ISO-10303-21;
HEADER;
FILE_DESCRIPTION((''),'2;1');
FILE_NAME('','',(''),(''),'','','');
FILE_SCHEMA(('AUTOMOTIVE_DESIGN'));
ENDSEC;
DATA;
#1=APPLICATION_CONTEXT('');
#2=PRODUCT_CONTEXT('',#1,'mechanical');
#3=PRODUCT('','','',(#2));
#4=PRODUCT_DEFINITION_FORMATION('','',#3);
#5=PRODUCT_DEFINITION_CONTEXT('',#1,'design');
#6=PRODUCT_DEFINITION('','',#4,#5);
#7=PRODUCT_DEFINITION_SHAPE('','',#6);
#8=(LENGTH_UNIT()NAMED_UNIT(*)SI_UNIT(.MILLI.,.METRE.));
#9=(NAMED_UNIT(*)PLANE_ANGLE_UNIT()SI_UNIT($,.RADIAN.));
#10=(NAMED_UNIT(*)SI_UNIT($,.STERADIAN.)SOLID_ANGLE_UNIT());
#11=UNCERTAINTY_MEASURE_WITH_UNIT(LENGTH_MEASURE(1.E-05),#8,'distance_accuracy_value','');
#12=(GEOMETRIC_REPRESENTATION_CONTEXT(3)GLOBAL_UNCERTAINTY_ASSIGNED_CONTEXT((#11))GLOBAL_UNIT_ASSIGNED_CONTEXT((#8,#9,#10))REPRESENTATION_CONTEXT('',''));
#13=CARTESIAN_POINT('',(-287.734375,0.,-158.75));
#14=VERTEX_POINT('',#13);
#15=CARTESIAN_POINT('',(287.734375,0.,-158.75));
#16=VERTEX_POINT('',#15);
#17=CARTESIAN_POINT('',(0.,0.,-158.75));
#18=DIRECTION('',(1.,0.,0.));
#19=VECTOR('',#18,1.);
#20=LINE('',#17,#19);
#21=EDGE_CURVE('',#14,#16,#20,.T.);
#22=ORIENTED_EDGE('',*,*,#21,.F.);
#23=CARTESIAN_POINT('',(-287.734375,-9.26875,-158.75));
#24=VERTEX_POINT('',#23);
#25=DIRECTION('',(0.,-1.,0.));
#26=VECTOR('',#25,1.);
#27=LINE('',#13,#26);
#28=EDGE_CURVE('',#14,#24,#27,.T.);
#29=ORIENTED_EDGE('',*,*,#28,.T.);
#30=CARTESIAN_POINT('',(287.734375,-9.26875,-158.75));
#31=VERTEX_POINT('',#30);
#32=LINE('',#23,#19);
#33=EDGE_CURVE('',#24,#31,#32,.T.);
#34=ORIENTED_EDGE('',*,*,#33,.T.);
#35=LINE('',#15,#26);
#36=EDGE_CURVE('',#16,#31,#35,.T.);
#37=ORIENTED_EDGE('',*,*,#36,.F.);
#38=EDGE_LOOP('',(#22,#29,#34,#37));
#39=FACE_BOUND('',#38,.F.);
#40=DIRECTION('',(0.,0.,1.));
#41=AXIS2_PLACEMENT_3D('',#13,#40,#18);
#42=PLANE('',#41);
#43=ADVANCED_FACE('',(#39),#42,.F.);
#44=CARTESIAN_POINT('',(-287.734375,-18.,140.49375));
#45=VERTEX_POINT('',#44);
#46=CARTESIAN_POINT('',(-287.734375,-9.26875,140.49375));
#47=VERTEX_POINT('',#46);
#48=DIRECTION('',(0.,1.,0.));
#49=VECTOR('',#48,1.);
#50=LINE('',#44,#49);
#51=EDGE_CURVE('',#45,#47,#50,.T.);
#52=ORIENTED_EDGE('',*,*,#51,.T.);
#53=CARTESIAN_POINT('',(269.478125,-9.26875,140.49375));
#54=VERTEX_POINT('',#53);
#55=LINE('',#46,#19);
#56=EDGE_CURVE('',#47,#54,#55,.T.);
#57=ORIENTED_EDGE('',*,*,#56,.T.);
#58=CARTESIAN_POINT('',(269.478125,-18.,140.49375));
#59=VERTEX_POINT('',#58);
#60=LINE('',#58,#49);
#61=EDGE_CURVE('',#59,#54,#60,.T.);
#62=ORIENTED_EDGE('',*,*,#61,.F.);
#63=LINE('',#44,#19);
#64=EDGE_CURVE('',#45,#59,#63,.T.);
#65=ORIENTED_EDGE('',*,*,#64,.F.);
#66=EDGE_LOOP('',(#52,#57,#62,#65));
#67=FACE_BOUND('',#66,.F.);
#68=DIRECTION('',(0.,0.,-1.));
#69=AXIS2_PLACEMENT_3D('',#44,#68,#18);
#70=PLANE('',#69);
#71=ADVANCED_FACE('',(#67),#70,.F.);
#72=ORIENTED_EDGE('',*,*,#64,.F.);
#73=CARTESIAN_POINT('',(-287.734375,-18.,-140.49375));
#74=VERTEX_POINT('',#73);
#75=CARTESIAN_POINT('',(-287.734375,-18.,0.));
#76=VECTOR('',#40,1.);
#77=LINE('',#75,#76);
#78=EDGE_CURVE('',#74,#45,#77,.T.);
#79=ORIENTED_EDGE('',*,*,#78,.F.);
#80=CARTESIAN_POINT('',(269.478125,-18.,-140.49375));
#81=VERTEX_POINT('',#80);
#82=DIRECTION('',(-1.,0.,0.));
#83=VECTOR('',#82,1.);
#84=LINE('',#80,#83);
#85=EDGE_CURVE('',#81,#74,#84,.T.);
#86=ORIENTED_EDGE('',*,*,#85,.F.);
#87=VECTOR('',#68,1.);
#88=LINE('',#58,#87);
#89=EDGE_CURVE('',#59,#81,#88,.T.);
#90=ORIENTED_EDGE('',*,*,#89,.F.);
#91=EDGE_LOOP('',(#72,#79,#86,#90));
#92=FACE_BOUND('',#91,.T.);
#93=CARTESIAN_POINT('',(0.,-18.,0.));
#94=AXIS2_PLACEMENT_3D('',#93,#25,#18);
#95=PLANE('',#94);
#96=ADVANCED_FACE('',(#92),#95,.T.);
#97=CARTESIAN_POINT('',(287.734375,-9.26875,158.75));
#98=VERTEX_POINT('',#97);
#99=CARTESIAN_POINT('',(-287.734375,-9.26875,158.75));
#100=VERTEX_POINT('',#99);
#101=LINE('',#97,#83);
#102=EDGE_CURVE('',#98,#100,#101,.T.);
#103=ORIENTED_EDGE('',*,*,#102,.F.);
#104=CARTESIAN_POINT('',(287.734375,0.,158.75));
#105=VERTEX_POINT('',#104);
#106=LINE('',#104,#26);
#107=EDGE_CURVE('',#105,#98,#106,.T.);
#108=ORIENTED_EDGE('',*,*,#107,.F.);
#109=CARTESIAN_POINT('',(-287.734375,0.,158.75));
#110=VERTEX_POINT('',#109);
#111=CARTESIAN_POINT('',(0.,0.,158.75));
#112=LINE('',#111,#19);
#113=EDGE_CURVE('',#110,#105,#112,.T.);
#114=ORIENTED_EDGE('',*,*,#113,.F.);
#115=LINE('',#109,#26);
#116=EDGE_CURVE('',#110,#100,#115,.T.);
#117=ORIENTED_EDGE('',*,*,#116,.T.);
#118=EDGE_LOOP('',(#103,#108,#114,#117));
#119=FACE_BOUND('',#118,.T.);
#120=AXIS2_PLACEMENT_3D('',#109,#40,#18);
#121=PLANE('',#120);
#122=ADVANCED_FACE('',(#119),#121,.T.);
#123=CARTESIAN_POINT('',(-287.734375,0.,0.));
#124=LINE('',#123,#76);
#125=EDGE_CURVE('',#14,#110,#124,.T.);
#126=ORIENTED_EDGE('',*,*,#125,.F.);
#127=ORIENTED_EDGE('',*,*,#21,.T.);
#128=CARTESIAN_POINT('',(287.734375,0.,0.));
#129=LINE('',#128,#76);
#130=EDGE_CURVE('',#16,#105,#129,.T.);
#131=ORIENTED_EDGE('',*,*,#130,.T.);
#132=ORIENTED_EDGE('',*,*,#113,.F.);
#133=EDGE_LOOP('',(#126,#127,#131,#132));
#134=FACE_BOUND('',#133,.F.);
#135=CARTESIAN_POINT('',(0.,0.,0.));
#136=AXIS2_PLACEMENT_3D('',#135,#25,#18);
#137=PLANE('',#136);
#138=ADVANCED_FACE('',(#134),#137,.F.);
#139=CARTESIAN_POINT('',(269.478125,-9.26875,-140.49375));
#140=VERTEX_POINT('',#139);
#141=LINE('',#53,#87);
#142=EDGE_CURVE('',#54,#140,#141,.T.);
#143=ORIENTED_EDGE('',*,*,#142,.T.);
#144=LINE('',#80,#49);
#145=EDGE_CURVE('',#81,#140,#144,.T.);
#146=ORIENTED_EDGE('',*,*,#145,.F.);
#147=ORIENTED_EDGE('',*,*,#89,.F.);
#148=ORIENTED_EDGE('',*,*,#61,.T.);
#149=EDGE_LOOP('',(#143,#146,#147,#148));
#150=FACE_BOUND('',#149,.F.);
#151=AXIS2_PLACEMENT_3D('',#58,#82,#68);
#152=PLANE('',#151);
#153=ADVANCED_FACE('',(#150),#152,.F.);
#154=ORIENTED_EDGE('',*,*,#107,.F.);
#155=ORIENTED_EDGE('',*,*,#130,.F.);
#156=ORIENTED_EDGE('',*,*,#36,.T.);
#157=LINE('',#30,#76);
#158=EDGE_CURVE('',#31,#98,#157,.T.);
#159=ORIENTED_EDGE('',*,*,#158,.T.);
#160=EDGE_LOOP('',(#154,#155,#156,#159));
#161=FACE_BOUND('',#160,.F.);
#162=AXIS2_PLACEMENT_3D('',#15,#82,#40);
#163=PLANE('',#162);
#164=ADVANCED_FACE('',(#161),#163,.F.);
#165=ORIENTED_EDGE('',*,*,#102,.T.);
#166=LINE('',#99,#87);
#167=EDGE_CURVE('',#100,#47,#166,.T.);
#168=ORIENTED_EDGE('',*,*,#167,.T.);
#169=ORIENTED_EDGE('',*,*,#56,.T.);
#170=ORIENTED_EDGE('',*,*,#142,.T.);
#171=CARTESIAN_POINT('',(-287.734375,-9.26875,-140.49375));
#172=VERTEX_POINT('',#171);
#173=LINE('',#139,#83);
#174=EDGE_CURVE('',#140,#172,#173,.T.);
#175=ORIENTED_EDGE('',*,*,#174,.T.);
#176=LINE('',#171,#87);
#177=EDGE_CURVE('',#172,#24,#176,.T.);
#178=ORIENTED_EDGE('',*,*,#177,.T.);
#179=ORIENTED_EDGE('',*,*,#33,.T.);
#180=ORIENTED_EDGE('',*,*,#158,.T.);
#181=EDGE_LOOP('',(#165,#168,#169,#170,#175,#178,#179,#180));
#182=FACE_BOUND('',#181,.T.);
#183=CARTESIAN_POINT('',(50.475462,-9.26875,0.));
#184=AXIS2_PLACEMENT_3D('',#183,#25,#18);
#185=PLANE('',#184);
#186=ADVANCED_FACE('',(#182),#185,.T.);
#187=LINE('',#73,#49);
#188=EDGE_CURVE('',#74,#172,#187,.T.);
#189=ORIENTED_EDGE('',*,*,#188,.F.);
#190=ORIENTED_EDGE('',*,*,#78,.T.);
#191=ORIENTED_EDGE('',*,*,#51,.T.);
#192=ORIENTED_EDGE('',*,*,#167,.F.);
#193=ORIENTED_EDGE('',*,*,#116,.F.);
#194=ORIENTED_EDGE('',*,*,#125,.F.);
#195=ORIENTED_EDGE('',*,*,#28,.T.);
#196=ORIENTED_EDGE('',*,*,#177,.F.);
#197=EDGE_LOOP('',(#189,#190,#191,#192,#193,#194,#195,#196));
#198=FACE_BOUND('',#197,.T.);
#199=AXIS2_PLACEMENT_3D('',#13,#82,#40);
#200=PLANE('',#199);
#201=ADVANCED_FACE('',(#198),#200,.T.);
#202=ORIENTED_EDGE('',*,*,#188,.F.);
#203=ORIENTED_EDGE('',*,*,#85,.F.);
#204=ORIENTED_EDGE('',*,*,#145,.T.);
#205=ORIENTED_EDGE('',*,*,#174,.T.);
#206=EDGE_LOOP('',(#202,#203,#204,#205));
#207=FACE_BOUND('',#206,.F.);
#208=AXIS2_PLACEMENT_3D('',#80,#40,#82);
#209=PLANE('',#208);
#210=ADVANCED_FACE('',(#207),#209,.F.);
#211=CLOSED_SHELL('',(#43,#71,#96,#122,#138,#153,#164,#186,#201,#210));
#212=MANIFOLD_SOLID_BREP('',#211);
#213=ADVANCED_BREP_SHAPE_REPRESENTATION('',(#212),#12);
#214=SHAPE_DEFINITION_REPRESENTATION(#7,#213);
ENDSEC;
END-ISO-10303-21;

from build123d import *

# Parameters (mm, degrees)
F0_W     = 575.46875
F0_H     = 317.5
F1_DEPTH = 18
F3_DEPTH = 8.73125


with BuildPart() as f1:
    # F0 (on Front) → F1 (new body)
    with BuildSketch(Plane.XZ):
        Rectangle(F0_W, F0_H)
    extrude(amount=F1_DEPTH)

    # F2 (on face) → F3 (cut)
    with BuildSketch(Plane.XZ.offset(18)):
        Polygon((287.734375, -158.75), (287.734375, 158.75), (-287.734375, 158.75), (-287.734375, 140.49375), (269.478125, 140.49375), (269.478125, -140.49375), (-287.734375, -140.49375), (-287.734375, -158.75), align=None)
    extrude(amount=-F3_DEPTH, mode=Mode.SUBTRACT)


solid = f1.part
